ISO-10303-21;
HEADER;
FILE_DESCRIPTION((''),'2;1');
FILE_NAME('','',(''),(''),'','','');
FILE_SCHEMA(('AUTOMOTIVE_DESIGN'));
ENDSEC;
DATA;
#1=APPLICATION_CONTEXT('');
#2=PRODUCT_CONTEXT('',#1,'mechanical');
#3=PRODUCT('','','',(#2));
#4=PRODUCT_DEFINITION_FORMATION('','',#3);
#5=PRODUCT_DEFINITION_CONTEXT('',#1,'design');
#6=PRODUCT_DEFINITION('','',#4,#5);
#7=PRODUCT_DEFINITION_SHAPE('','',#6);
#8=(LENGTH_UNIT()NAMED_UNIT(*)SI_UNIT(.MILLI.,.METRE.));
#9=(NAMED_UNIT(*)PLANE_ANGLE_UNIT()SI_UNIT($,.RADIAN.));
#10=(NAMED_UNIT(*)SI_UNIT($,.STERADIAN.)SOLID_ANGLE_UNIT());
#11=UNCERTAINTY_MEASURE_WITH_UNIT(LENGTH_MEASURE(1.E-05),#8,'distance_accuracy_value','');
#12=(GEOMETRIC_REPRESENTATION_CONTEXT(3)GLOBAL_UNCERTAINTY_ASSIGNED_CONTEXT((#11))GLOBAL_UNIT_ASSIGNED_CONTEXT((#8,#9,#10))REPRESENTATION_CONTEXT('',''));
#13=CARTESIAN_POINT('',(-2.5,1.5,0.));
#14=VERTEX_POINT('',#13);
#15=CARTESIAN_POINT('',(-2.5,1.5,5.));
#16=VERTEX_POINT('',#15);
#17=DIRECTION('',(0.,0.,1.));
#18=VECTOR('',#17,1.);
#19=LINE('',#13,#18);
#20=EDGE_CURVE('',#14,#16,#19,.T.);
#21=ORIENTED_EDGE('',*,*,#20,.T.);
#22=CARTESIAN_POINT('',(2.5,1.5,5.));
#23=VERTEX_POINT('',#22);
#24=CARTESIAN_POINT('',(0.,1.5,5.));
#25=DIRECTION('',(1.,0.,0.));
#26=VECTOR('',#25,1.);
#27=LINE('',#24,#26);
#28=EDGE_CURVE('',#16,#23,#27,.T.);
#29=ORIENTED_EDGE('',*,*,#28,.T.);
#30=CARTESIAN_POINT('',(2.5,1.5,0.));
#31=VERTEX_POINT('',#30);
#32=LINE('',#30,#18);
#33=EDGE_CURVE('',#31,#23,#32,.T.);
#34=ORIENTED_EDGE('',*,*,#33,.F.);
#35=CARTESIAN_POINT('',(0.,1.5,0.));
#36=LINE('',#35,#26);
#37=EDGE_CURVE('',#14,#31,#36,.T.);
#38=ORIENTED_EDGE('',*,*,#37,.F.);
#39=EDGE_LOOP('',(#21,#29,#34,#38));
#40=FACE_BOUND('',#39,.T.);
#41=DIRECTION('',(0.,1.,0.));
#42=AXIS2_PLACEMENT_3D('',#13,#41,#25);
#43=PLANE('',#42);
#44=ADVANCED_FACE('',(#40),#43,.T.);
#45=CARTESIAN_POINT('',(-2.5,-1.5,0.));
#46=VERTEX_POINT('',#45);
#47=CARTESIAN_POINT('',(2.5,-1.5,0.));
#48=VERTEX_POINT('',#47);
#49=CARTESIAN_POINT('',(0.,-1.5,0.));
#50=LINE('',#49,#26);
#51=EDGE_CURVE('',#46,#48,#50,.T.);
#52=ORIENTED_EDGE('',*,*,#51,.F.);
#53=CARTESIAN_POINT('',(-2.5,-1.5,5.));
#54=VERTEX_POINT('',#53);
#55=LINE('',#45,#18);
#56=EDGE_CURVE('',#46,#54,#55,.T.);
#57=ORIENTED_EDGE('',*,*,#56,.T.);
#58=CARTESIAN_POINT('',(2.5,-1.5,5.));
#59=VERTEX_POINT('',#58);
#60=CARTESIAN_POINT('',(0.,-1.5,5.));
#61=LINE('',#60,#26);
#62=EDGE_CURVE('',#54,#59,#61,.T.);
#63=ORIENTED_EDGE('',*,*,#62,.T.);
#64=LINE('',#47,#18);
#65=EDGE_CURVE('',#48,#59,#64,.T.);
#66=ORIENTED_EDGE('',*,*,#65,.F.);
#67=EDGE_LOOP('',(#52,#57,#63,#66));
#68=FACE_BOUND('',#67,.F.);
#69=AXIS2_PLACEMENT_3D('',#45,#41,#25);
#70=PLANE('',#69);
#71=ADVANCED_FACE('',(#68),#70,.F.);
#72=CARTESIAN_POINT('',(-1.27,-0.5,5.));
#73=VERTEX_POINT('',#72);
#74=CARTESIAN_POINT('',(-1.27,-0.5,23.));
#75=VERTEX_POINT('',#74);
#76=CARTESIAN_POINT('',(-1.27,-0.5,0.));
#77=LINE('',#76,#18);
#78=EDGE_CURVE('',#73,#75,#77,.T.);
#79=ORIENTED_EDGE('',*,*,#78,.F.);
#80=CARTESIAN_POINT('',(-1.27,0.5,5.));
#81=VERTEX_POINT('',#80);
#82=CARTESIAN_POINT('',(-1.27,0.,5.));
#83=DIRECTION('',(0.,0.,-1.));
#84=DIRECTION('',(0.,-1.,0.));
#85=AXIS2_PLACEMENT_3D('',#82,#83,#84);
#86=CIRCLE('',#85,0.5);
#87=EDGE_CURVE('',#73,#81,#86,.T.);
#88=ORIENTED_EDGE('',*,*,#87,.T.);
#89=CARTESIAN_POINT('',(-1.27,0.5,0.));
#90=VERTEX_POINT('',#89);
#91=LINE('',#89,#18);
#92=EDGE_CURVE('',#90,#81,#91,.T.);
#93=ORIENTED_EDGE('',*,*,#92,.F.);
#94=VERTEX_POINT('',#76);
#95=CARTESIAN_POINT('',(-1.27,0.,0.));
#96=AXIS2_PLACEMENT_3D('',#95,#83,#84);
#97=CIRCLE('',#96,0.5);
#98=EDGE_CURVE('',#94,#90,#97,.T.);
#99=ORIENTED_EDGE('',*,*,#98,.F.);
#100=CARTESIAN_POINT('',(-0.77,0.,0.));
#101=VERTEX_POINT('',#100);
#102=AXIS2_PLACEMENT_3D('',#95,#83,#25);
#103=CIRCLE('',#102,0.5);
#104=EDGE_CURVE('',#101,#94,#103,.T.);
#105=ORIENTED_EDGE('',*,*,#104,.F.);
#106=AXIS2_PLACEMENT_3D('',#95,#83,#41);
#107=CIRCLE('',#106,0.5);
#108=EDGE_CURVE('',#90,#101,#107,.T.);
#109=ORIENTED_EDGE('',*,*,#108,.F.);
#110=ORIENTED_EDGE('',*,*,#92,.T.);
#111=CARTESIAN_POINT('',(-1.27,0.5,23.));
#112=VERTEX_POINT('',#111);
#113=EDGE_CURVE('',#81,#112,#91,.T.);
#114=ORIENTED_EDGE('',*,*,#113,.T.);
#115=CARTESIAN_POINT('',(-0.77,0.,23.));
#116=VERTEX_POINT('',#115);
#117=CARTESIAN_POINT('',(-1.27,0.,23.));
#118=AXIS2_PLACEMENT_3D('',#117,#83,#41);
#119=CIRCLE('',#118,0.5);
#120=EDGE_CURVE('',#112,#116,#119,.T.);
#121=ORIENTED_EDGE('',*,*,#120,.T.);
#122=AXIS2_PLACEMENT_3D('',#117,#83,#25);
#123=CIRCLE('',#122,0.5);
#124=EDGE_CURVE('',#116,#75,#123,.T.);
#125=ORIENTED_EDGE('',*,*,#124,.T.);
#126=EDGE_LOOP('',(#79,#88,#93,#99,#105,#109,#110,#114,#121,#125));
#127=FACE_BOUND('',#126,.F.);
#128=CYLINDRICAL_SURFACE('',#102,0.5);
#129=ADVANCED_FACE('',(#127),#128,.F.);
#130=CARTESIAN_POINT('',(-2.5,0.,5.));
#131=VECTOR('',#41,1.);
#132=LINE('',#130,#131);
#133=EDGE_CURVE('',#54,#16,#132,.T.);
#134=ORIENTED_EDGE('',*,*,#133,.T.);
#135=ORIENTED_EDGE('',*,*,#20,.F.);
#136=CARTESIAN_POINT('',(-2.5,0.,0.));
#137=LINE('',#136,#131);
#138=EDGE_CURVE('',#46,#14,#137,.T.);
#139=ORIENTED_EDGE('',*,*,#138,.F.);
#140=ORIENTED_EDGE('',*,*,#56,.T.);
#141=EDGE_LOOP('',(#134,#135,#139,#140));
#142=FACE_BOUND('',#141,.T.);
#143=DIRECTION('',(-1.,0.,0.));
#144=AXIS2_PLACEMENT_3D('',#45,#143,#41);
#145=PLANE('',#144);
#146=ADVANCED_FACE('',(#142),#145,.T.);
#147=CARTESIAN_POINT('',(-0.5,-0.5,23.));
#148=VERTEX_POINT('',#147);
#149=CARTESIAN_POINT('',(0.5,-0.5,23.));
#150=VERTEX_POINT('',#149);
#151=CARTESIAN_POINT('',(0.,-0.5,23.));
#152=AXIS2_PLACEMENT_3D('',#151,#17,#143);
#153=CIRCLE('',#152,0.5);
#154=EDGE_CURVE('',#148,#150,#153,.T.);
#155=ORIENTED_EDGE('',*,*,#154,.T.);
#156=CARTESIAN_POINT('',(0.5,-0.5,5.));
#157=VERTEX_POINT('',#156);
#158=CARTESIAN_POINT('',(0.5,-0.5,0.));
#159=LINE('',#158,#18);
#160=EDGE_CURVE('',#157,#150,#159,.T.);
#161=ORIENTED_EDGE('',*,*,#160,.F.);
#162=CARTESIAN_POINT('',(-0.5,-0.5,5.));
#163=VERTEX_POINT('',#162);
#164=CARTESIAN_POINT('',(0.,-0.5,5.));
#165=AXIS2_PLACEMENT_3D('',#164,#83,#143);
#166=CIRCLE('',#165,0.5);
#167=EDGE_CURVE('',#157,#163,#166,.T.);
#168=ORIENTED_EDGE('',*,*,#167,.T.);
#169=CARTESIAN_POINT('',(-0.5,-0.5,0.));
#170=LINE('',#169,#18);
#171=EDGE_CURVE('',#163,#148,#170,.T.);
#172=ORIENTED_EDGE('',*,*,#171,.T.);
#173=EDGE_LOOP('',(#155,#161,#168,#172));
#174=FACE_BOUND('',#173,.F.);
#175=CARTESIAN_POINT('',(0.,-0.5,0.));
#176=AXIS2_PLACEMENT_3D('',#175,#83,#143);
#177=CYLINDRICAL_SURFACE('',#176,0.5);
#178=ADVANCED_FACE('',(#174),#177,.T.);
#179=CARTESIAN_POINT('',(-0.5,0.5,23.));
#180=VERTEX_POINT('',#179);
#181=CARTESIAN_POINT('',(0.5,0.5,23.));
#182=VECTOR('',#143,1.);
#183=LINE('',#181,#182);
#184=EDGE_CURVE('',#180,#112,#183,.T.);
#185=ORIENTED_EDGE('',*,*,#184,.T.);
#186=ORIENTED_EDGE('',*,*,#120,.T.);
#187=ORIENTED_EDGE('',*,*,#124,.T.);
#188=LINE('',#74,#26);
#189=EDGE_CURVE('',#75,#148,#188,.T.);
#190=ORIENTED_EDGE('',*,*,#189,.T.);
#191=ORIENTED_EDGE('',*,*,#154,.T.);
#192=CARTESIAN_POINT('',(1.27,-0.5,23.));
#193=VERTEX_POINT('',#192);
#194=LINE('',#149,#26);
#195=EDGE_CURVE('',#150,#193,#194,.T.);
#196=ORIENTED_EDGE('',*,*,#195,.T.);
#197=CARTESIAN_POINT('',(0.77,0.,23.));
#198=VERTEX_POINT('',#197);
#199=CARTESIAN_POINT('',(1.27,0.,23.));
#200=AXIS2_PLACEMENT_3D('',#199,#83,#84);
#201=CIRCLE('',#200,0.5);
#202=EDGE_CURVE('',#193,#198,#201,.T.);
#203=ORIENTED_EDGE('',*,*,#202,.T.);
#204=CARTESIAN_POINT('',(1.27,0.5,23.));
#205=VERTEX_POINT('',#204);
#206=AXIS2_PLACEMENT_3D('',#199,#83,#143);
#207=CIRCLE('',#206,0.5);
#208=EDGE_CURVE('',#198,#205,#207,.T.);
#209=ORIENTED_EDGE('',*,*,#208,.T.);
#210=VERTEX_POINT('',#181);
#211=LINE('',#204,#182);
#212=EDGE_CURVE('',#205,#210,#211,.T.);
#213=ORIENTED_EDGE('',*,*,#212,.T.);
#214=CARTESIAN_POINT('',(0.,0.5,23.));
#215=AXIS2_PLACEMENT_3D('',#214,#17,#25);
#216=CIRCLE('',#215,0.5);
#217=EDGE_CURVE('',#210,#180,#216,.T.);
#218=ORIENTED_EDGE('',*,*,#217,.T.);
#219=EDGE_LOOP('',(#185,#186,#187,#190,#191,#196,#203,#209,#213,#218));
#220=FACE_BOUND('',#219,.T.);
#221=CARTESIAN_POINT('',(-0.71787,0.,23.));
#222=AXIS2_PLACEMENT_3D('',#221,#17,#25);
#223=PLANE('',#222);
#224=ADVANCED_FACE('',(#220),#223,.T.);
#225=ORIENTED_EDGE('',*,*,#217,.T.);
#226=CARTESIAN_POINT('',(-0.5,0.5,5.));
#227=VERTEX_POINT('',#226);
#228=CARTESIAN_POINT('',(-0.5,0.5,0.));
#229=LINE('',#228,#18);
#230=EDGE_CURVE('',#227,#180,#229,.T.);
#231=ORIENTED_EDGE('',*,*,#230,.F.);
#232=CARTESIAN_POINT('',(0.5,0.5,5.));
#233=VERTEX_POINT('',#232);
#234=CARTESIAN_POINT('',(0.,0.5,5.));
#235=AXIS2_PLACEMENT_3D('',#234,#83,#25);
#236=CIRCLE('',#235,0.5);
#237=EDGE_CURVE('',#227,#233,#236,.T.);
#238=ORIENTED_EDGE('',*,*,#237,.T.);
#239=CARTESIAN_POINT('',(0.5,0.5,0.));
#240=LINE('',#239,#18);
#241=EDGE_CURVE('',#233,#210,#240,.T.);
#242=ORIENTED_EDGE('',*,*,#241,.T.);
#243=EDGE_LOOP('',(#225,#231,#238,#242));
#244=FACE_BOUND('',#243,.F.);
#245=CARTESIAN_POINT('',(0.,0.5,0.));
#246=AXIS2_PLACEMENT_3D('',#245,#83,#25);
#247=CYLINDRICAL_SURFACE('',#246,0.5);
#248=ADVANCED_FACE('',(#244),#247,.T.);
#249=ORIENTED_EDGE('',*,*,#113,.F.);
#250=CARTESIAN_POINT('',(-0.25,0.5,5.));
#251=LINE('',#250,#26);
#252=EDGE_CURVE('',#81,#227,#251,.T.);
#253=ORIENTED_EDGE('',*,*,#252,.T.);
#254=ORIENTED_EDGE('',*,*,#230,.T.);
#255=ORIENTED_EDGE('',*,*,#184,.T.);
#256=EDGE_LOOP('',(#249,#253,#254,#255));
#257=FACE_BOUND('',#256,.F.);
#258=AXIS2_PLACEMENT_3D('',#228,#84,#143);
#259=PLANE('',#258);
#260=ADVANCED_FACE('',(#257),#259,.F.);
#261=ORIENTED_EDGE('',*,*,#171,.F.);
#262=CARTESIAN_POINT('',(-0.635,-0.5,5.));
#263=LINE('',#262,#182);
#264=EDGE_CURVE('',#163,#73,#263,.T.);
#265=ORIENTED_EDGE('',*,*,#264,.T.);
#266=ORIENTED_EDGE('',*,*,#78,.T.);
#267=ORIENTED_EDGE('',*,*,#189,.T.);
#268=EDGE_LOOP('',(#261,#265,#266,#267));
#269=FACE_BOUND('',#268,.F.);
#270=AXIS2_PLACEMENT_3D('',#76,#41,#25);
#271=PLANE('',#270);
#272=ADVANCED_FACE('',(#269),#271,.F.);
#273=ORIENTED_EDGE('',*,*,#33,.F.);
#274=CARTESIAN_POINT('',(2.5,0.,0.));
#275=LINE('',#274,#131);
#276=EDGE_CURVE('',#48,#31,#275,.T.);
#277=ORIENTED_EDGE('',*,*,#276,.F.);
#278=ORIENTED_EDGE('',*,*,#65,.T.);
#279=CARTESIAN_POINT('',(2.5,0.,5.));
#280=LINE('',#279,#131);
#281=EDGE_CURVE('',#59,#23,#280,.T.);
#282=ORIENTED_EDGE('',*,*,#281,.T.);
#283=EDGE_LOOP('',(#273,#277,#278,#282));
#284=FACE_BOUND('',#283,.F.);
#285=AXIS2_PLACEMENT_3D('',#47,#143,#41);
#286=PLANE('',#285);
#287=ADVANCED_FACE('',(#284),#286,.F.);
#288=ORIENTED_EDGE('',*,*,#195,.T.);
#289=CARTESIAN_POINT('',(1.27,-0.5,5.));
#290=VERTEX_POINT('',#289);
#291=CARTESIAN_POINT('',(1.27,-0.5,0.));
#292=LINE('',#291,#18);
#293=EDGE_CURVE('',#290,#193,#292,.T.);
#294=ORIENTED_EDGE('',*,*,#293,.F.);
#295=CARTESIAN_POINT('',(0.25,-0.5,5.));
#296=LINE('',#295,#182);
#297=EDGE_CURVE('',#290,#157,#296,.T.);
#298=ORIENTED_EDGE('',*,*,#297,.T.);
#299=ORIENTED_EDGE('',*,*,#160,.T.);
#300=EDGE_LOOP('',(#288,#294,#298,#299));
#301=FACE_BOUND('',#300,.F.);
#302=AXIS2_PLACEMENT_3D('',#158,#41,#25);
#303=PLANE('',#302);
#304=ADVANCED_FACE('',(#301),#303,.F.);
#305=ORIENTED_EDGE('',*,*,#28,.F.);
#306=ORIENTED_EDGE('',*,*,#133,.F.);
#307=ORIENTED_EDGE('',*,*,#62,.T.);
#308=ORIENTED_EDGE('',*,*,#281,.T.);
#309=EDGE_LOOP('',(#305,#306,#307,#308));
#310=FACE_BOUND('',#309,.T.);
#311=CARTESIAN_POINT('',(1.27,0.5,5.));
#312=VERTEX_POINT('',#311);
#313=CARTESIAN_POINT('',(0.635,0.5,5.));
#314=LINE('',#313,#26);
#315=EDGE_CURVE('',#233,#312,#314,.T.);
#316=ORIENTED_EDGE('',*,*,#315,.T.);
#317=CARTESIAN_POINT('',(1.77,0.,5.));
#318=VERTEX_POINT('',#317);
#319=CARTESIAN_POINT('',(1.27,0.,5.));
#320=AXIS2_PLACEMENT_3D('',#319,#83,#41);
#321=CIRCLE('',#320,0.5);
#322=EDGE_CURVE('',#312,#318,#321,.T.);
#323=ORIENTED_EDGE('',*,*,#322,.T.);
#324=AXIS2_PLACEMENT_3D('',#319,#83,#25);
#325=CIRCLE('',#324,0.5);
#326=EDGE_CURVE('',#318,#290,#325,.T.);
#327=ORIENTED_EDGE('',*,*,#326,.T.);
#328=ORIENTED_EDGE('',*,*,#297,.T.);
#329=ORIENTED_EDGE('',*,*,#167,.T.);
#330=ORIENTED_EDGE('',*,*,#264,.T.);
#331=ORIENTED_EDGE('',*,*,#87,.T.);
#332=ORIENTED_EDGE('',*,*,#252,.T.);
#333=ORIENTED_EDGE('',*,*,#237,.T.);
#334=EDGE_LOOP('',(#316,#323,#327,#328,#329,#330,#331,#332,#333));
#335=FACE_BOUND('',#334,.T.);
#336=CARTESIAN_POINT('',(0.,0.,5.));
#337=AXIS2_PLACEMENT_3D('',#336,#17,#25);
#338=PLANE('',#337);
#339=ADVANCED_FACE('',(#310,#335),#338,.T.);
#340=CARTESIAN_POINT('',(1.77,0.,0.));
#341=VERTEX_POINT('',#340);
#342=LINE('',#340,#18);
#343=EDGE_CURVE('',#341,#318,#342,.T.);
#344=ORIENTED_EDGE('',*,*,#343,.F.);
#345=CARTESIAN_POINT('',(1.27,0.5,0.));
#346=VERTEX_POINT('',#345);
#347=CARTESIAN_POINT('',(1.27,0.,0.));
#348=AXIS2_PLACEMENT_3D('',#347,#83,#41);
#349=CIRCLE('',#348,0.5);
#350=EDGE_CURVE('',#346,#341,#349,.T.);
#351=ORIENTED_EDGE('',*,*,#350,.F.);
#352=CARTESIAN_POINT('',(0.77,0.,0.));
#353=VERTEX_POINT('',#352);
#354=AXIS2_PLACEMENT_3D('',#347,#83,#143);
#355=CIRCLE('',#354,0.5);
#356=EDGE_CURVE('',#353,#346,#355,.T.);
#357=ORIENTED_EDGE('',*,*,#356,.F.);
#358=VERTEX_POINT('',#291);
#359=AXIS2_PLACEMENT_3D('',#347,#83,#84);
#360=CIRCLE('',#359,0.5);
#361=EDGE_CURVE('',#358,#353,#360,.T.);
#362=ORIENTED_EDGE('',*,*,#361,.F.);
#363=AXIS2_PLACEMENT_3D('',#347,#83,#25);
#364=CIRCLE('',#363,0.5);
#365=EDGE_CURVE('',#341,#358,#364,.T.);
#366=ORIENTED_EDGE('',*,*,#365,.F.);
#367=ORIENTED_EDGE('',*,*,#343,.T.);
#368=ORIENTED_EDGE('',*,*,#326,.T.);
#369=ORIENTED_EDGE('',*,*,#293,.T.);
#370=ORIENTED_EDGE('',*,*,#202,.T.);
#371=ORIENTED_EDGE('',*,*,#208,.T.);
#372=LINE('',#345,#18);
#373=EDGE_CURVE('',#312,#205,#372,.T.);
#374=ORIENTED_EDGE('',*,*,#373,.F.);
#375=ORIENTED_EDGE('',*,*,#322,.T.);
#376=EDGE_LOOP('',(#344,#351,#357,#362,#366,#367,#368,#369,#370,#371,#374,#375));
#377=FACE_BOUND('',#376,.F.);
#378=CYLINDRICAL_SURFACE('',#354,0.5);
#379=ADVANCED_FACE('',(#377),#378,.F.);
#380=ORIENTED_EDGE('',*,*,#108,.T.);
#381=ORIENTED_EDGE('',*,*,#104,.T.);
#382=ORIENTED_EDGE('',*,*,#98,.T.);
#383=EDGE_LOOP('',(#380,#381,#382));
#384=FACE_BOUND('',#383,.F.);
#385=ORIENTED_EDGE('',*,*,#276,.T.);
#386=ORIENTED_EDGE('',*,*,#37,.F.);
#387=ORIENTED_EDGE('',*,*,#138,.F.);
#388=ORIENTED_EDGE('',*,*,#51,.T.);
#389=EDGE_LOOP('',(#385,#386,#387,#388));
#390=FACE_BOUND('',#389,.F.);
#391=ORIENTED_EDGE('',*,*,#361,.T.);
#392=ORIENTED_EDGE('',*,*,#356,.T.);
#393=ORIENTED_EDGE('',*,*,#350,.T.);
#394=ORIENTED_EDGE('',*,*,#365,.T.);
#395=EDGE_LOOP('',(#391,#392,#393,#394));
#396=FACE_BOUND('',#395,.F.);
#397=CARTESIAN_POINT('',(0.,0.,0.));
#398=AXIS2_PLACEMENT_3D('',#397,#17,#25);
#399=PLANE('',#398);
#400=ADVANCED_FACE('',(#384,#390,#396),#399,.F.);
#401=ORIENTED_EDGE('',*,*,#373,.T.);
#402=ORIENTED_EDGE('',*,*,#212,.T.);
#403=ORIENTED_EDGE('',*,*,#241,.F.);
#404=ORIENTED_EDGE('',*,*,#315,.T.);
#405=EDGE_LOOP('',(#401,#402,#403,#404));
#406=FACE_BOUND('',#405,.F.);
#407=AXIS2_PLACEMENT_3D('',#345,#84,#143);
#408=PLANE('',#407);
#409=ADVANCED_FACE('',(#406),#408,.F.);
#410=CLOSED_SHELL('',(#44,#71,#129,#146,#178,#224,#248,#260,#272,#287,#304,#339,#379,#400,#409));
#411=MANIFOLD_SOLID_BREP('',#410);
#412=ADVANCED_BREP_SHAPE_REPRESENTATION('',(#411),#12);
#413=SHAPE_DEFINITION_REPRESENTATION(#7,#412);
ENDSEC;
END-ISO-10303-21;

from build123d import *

# Parameters (mm, degrees)
F0_W     = 5
F0_H     = 3
F1_DEPTH = 5
F2_DEPTH = 23


with BuildPart() as f1:
    # F0 (on Top) → F1 (new body)
    with BuildSketch(Plane.XY):
        Rectangle(F0_W, F0_H)
        with BuildLine():
            ThreePointArc((-0.5, 0.5), (0, 1), (0.5, 0.5))
            Line((0.5, 0.5), (1.27, 0.5))
            ThreePointArc((1.27, 0.5), (1.6235533906, 0.3535533906), (1.77, 0))
            ThreePointArc((1.77, 0), (1.6235533906, -0.3535533906), (1.27, -0.5))
            Line((1.27, -0.5), (0.5, -0.5))
            ThreePointArc((0.5, -0.5), (0, -1), (-0.5, -0.5))
            Line((-0.5, -0.5), (-1.27, -0.5))
            ThreePointArc((-1.27, -0.5), (-1.77, 0), (-1.27, 0.5))
            Line((-1.27, 0.5), (-0.5, 0.5))
        make_face(mode=Mode.SUBTRACT)
        with BuildLine():
            Line((-0.5, 0.5), (0.5, 0.5))
            ThreePointArc((0.5, 0.5), (0, 1), (-0.5, 0.5))
        make_face()
        with BuildLine():
            ThreePointArc((-0.5, 0.5), (-0.3535533906, 0.1464466094), (0, 0))
            ThreePointArc((0, 0), (0.3535533906, 0.1464466094), (0.5, 0.5))
            Line((0.5, 0.5), (-0.5, 0.5))
        make_face()
        with BuildLine():
            ThreePointArc((0.5, -0.5), (0.3535533906, -0.1464466094), (0, 0))
            ThreePointArc((0, 0), (-0.3535533906, -0.1464466094), (-0.5, -0.5))
            Line((-0.5, -0.5), (0.5, -0.5))
        make_face()
        with BuildLine():
            ThreePointArc((-0.5, -0.5), (0, -1), (0.5, -0.5))
            Line((0.5, -0.5), (-0.5, -0.5))
        make_face()
        with BuildLine():
            ThreePointArc((-0.5, -0.5), (-0.3535533906, -0.1464466094), (0, 0))
            ThreePointArc((0, 0), (-0.3535533906, 0.1464466094), (-0.5, 0.5))
            Line((-0.5, 0.5), (-1.27, 0.5))
            ThreePointArc((-1.27, 0.5), (-0.9164466094, 0.3535533906), (-0.77, 0))
            ThreePointArc((-0.77, 0), (-0.9164466094, -0.3535533906), (-1.27, -0.5))
            Line((-1.27, -0.5), (-0.5, -0.5))
        make_face()
        with BuildLine():
            ThreePointArc((0.5, 0.5), (0.3535533906, 0.1464466094), (0, 0))
            Line((0, 0), (0.77, 0))
            ThreePointArc((0.77, 0), (0.9164466094, 0.3535533906), (1.27, 0.5))
            Line((1.27, 0.5), (0.5, 0.5))
        make_face()
        with BuildLine():
            Line((0.77, 0), (0, 0))
            ThreePointArc((0, 0), (0.3535533906, -0.1464466094), (0.5, -0.5))
            Line((0.5, -0.5), (1.27, -0.5))
            ThreePointArc((1.27, -0.5), (0.9164466094, -0.3535533906), (0.77, 0))
        make_face()
    extrude(amount=F1_DEPTH)

    # F0 (on Top) → F2 (join)
    with BuildSketch(Plane.XY):
        with BuildLine():
            ThreePointArc((-0.5, -0.5), (-0.3535533906, -0.1464466094), (0, 0))
            ThreePointArc((0, 0), (-0.3535533906, 0.1464466094), (-0.5, 0.5))
            Line((-0.5, 0.5), (-1.27, 0.5))
            ThreePointArc((-1.27, 0.5), (-0.9164466094, 0.3535533906), (-0.77, 0))
            ThreePointArc((-0.77, 0), (-0.9164466094, -0.3535533906), (-1.27, -0.5))
            Line((-1.27, -0.5), (-0.5, -0.5))
        make_face()
        with BuildLine():
            ThreePointArc((0.5, -0.5), (0.3535533906, -0.1464466094), (0, 0))
            ThreePointArc((0, 0), (-0.3535533906, -0.1464466094), (-0.5, -0.5))
            Line((-0.5, -0.5), (0.5, -0.5))
        make_face()
        with BuildLine():
            ThreePointArc((-0.5, -0.5), (0, -1), (0.5, -0.5))
            Line((0.5, -0.5), (-0.5, -0.5))
        make_face()
        with BuildLine():
            ThreePointArc((-0.5, 0.5), (-0.3535533906, 0.1464466094), (0, 0))
            ThreePointArc((0, 0), (0.3535533906, 0.1464466094), (0.5, 0.5))
            Line((0.5, 0.5), (-0.5, 0.5))
        make_face()
        with BuildLine():
            Line((-0.5, 0.5), (0.5, 0.5))
            ThreePointArc((0.5, 0.5), (0, 1), (-0.5, 0.5))
        make_face()
        with BuildLine():
            ThreePointArc((0.5, 0.5), (0.3535533906, 0.1464466094), (0, 0))
            Line((0, 0), (0.77, 0))
            ThreePointArc((0.77, 0), (0.9164466094, 0.3535533906), (1.27, 0.5))
            Line((1.27, 0.5), (0.5, 0.5))
        make_face()
        with BuildLine():
            Line((0.77, 0), (0, 0))
            ThreePointArc((0, 0), (0.3535533906, -0.1464466094), (0.5, -0.5))
            Line((0.5, -0.5), (1.27, -0.5))
            ThreePointArc((1.27, -0.5), (0.9164466094, -0.3535533906), (0.77, 0))
        make_face()
    extrude(amount=F2_DEPTH)


solid = f1.part
